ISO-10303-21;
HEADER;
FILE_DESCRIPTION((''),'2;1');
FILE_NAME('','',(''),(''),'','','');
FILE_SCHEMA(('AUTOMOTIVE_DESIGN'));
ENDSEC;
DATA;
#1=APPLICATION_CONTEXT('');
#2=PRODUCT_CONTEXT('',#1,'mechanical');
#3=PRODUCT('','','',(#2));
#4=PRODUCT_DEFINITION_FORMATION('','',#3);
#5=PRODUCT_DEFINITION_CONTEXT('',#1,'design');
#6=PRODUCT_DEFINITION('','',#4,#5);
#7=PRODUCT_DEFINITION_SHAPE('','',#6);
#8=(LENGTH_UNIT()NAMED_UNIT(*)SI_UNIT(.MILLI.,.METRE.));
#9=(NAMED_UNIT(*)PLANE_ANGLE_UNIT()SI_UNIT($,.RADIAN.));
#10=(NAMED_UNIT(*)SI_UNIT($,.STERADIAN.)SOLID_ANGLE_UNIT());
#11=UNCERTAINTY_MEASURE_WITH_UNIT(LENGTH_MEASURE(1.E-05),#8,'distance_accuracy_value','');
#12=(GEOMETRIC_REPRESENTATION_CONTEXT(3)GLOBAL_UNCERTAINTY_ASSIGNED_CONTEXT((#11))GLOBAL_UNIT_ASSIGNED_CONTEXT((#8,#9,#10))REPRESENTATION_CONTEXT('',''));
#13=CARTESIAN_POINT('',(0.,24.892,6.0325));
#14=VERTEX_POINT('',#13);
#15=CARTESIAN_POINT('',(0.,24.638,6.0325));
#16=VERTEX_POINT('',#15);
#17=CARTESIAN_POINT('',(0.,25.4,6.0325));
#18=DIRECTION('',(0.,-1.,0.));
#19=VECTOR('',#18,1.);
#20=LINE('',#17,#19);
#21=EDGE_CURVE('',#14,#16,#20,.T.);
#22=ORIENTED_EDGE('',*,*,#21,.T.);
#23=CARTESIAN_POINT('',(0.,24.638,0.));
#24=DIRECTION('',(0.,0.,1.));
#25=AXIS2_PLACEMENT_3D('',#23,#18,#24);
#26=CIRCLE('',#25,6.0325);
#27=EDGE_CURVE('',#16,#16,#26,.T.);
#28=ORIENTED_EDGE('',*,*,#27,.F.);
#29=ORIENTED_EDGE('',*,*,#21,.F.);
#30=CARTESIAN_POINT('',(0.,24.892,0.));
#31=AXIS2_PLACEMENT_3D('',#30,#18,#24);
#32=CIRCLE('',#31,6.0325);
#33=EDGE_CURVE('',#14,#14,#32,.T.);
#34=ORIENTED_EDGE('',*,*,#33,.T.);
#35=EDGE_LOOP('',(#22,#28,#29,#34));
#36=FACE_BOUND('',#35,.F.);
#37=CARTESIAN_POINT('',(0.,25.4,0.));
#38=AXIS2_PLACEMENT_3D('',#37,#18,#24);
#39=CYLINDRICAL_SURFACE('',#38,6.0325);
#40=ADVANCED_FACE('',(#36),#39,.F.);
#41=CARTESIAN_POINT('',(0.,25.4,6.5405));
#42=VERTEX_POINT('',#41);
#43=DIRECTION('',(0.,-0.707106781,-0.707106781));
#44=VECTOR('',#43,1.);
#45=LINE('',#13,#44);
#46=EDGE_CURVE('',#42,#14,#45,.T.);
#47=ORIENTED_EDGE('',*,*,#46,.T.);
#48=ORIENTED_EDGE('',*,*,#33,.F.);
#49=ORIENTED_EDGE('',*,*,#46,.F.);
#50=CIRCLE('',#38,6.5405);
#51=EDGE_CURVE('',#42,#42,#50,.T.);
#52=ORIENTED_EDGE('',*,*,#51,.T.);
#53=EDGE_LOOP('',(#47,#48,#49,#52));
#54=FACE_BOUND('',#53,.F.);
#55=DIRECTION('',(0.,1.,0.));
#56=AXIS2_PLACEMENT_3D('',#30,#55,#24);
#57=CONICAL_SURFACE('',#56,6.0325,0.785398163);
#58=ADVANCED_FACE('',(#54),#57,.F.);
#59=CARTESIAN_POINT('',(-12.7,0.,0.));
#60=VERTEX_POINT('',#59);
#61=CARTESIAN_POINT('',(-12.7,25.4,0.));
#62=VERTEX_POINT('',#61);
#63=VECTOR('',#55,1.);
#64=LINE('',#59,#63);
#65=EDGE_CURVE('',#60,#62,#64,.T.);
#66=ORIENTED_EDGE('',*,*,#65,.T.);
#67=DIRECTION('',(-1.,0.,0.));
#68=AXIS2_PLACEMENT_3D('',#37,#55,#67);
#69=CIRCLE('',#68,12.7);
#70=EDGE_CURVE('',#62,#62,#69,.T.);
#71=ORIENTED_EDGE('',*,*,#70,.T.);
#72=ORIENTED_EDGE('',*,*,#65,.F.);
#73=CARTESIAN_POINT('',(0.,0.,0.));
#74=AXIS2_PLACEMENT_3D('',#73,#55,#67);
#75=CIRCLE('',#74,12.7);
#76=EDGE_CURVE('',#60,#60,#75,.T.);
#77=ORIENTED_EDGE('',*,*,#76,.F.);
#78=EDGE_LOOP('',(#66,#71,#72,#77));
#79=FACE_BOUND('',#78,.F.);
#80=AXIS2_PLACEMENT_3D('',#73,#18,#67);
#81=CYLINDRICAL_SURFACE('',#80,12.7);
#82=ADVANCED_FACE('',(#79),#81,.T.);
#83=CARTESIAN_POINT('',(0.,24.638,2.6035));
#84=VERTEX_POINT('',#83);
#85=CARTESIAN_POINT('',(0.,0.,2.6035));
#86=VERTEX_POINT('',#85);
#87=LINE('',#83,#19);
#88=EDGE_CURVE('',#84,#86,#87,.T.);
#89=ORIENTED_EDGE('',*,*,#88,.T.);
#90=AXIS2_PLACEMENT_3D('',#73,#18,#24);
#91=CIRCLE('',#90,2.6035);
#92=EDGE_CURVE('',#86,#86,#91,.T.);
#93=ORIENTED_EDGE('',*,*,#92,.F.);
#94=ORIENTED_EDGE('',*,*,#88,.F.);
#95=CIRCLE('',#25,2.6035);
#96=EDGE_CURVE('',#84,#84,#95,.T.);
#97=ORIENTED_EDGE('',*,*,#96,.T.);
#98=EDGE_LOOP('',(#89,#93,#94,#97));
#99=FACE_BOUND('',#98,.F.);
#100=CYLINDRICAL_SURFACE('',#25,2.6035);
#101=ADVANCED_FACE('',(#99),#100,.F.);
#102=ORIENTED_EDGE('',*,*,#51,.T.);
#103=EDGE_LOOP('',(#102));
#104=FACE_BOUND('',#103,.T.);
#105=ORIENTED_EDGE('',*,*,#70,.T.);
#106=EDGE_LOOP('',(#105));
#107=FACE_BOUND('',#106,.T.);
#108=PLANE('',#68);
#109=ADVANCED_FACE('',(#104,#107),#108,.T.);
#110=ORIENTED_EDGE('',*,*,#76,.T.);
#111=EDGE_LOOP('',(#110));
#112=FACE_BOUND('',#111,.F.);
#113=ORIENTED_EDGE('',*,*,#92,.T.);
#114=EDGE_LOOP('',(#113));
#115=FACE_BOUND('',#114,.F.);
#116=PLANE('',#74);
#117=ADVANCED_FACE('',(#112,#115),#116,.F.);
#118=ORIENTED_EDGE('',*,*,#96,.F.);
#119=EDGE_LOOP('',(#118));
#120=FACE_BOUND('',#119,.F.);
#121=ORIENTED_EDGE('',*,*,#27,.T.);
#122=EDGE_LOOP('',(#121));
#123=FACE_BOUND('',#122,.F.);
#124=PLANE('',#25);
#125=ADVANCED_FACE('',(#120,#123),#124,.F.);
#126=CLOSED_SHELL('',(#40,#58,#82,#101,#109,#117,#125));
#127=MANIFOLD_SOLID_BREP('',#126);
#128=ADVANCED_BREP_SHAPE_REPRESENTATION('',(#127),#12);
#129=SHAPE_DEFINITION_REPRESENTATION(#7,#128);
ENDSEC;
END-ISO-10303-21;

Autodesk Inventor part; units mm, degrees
ref_plane "YZ Plane" through (0, 0, 0) normal (1, 0, 0) x (0, 1, 0)
ref_plane "XZ Plane" through (0, 0, 0) normal (0, 1, 0) x (-1, 0, 0)
ref_plane "XY Plane" through (0, 0, 0) normal (0, 0, 1) x (1, 0, 0)
sketch "Sketch1" plane through (0, 0, 0) normal (0, 1, 0) x (-1, 0, 0)
  circle A0 centre (0, 0) radius 12.7
  dimension "d0" = 25.4
extrude "Extrusion1" add sketch "Sketch1" along normal blind 25.4
hole "Hole1" at (0, 25.4, 0) direction (0, -1, 0) diameter 5.207 end through all counterbore diameter 12.065 counterbore depth 0.762
chamfer "Chamfer1" distance 0.508 angle 45 1 edges at (0, 25.4, -6.0325)
properties part number "Hole Test"
